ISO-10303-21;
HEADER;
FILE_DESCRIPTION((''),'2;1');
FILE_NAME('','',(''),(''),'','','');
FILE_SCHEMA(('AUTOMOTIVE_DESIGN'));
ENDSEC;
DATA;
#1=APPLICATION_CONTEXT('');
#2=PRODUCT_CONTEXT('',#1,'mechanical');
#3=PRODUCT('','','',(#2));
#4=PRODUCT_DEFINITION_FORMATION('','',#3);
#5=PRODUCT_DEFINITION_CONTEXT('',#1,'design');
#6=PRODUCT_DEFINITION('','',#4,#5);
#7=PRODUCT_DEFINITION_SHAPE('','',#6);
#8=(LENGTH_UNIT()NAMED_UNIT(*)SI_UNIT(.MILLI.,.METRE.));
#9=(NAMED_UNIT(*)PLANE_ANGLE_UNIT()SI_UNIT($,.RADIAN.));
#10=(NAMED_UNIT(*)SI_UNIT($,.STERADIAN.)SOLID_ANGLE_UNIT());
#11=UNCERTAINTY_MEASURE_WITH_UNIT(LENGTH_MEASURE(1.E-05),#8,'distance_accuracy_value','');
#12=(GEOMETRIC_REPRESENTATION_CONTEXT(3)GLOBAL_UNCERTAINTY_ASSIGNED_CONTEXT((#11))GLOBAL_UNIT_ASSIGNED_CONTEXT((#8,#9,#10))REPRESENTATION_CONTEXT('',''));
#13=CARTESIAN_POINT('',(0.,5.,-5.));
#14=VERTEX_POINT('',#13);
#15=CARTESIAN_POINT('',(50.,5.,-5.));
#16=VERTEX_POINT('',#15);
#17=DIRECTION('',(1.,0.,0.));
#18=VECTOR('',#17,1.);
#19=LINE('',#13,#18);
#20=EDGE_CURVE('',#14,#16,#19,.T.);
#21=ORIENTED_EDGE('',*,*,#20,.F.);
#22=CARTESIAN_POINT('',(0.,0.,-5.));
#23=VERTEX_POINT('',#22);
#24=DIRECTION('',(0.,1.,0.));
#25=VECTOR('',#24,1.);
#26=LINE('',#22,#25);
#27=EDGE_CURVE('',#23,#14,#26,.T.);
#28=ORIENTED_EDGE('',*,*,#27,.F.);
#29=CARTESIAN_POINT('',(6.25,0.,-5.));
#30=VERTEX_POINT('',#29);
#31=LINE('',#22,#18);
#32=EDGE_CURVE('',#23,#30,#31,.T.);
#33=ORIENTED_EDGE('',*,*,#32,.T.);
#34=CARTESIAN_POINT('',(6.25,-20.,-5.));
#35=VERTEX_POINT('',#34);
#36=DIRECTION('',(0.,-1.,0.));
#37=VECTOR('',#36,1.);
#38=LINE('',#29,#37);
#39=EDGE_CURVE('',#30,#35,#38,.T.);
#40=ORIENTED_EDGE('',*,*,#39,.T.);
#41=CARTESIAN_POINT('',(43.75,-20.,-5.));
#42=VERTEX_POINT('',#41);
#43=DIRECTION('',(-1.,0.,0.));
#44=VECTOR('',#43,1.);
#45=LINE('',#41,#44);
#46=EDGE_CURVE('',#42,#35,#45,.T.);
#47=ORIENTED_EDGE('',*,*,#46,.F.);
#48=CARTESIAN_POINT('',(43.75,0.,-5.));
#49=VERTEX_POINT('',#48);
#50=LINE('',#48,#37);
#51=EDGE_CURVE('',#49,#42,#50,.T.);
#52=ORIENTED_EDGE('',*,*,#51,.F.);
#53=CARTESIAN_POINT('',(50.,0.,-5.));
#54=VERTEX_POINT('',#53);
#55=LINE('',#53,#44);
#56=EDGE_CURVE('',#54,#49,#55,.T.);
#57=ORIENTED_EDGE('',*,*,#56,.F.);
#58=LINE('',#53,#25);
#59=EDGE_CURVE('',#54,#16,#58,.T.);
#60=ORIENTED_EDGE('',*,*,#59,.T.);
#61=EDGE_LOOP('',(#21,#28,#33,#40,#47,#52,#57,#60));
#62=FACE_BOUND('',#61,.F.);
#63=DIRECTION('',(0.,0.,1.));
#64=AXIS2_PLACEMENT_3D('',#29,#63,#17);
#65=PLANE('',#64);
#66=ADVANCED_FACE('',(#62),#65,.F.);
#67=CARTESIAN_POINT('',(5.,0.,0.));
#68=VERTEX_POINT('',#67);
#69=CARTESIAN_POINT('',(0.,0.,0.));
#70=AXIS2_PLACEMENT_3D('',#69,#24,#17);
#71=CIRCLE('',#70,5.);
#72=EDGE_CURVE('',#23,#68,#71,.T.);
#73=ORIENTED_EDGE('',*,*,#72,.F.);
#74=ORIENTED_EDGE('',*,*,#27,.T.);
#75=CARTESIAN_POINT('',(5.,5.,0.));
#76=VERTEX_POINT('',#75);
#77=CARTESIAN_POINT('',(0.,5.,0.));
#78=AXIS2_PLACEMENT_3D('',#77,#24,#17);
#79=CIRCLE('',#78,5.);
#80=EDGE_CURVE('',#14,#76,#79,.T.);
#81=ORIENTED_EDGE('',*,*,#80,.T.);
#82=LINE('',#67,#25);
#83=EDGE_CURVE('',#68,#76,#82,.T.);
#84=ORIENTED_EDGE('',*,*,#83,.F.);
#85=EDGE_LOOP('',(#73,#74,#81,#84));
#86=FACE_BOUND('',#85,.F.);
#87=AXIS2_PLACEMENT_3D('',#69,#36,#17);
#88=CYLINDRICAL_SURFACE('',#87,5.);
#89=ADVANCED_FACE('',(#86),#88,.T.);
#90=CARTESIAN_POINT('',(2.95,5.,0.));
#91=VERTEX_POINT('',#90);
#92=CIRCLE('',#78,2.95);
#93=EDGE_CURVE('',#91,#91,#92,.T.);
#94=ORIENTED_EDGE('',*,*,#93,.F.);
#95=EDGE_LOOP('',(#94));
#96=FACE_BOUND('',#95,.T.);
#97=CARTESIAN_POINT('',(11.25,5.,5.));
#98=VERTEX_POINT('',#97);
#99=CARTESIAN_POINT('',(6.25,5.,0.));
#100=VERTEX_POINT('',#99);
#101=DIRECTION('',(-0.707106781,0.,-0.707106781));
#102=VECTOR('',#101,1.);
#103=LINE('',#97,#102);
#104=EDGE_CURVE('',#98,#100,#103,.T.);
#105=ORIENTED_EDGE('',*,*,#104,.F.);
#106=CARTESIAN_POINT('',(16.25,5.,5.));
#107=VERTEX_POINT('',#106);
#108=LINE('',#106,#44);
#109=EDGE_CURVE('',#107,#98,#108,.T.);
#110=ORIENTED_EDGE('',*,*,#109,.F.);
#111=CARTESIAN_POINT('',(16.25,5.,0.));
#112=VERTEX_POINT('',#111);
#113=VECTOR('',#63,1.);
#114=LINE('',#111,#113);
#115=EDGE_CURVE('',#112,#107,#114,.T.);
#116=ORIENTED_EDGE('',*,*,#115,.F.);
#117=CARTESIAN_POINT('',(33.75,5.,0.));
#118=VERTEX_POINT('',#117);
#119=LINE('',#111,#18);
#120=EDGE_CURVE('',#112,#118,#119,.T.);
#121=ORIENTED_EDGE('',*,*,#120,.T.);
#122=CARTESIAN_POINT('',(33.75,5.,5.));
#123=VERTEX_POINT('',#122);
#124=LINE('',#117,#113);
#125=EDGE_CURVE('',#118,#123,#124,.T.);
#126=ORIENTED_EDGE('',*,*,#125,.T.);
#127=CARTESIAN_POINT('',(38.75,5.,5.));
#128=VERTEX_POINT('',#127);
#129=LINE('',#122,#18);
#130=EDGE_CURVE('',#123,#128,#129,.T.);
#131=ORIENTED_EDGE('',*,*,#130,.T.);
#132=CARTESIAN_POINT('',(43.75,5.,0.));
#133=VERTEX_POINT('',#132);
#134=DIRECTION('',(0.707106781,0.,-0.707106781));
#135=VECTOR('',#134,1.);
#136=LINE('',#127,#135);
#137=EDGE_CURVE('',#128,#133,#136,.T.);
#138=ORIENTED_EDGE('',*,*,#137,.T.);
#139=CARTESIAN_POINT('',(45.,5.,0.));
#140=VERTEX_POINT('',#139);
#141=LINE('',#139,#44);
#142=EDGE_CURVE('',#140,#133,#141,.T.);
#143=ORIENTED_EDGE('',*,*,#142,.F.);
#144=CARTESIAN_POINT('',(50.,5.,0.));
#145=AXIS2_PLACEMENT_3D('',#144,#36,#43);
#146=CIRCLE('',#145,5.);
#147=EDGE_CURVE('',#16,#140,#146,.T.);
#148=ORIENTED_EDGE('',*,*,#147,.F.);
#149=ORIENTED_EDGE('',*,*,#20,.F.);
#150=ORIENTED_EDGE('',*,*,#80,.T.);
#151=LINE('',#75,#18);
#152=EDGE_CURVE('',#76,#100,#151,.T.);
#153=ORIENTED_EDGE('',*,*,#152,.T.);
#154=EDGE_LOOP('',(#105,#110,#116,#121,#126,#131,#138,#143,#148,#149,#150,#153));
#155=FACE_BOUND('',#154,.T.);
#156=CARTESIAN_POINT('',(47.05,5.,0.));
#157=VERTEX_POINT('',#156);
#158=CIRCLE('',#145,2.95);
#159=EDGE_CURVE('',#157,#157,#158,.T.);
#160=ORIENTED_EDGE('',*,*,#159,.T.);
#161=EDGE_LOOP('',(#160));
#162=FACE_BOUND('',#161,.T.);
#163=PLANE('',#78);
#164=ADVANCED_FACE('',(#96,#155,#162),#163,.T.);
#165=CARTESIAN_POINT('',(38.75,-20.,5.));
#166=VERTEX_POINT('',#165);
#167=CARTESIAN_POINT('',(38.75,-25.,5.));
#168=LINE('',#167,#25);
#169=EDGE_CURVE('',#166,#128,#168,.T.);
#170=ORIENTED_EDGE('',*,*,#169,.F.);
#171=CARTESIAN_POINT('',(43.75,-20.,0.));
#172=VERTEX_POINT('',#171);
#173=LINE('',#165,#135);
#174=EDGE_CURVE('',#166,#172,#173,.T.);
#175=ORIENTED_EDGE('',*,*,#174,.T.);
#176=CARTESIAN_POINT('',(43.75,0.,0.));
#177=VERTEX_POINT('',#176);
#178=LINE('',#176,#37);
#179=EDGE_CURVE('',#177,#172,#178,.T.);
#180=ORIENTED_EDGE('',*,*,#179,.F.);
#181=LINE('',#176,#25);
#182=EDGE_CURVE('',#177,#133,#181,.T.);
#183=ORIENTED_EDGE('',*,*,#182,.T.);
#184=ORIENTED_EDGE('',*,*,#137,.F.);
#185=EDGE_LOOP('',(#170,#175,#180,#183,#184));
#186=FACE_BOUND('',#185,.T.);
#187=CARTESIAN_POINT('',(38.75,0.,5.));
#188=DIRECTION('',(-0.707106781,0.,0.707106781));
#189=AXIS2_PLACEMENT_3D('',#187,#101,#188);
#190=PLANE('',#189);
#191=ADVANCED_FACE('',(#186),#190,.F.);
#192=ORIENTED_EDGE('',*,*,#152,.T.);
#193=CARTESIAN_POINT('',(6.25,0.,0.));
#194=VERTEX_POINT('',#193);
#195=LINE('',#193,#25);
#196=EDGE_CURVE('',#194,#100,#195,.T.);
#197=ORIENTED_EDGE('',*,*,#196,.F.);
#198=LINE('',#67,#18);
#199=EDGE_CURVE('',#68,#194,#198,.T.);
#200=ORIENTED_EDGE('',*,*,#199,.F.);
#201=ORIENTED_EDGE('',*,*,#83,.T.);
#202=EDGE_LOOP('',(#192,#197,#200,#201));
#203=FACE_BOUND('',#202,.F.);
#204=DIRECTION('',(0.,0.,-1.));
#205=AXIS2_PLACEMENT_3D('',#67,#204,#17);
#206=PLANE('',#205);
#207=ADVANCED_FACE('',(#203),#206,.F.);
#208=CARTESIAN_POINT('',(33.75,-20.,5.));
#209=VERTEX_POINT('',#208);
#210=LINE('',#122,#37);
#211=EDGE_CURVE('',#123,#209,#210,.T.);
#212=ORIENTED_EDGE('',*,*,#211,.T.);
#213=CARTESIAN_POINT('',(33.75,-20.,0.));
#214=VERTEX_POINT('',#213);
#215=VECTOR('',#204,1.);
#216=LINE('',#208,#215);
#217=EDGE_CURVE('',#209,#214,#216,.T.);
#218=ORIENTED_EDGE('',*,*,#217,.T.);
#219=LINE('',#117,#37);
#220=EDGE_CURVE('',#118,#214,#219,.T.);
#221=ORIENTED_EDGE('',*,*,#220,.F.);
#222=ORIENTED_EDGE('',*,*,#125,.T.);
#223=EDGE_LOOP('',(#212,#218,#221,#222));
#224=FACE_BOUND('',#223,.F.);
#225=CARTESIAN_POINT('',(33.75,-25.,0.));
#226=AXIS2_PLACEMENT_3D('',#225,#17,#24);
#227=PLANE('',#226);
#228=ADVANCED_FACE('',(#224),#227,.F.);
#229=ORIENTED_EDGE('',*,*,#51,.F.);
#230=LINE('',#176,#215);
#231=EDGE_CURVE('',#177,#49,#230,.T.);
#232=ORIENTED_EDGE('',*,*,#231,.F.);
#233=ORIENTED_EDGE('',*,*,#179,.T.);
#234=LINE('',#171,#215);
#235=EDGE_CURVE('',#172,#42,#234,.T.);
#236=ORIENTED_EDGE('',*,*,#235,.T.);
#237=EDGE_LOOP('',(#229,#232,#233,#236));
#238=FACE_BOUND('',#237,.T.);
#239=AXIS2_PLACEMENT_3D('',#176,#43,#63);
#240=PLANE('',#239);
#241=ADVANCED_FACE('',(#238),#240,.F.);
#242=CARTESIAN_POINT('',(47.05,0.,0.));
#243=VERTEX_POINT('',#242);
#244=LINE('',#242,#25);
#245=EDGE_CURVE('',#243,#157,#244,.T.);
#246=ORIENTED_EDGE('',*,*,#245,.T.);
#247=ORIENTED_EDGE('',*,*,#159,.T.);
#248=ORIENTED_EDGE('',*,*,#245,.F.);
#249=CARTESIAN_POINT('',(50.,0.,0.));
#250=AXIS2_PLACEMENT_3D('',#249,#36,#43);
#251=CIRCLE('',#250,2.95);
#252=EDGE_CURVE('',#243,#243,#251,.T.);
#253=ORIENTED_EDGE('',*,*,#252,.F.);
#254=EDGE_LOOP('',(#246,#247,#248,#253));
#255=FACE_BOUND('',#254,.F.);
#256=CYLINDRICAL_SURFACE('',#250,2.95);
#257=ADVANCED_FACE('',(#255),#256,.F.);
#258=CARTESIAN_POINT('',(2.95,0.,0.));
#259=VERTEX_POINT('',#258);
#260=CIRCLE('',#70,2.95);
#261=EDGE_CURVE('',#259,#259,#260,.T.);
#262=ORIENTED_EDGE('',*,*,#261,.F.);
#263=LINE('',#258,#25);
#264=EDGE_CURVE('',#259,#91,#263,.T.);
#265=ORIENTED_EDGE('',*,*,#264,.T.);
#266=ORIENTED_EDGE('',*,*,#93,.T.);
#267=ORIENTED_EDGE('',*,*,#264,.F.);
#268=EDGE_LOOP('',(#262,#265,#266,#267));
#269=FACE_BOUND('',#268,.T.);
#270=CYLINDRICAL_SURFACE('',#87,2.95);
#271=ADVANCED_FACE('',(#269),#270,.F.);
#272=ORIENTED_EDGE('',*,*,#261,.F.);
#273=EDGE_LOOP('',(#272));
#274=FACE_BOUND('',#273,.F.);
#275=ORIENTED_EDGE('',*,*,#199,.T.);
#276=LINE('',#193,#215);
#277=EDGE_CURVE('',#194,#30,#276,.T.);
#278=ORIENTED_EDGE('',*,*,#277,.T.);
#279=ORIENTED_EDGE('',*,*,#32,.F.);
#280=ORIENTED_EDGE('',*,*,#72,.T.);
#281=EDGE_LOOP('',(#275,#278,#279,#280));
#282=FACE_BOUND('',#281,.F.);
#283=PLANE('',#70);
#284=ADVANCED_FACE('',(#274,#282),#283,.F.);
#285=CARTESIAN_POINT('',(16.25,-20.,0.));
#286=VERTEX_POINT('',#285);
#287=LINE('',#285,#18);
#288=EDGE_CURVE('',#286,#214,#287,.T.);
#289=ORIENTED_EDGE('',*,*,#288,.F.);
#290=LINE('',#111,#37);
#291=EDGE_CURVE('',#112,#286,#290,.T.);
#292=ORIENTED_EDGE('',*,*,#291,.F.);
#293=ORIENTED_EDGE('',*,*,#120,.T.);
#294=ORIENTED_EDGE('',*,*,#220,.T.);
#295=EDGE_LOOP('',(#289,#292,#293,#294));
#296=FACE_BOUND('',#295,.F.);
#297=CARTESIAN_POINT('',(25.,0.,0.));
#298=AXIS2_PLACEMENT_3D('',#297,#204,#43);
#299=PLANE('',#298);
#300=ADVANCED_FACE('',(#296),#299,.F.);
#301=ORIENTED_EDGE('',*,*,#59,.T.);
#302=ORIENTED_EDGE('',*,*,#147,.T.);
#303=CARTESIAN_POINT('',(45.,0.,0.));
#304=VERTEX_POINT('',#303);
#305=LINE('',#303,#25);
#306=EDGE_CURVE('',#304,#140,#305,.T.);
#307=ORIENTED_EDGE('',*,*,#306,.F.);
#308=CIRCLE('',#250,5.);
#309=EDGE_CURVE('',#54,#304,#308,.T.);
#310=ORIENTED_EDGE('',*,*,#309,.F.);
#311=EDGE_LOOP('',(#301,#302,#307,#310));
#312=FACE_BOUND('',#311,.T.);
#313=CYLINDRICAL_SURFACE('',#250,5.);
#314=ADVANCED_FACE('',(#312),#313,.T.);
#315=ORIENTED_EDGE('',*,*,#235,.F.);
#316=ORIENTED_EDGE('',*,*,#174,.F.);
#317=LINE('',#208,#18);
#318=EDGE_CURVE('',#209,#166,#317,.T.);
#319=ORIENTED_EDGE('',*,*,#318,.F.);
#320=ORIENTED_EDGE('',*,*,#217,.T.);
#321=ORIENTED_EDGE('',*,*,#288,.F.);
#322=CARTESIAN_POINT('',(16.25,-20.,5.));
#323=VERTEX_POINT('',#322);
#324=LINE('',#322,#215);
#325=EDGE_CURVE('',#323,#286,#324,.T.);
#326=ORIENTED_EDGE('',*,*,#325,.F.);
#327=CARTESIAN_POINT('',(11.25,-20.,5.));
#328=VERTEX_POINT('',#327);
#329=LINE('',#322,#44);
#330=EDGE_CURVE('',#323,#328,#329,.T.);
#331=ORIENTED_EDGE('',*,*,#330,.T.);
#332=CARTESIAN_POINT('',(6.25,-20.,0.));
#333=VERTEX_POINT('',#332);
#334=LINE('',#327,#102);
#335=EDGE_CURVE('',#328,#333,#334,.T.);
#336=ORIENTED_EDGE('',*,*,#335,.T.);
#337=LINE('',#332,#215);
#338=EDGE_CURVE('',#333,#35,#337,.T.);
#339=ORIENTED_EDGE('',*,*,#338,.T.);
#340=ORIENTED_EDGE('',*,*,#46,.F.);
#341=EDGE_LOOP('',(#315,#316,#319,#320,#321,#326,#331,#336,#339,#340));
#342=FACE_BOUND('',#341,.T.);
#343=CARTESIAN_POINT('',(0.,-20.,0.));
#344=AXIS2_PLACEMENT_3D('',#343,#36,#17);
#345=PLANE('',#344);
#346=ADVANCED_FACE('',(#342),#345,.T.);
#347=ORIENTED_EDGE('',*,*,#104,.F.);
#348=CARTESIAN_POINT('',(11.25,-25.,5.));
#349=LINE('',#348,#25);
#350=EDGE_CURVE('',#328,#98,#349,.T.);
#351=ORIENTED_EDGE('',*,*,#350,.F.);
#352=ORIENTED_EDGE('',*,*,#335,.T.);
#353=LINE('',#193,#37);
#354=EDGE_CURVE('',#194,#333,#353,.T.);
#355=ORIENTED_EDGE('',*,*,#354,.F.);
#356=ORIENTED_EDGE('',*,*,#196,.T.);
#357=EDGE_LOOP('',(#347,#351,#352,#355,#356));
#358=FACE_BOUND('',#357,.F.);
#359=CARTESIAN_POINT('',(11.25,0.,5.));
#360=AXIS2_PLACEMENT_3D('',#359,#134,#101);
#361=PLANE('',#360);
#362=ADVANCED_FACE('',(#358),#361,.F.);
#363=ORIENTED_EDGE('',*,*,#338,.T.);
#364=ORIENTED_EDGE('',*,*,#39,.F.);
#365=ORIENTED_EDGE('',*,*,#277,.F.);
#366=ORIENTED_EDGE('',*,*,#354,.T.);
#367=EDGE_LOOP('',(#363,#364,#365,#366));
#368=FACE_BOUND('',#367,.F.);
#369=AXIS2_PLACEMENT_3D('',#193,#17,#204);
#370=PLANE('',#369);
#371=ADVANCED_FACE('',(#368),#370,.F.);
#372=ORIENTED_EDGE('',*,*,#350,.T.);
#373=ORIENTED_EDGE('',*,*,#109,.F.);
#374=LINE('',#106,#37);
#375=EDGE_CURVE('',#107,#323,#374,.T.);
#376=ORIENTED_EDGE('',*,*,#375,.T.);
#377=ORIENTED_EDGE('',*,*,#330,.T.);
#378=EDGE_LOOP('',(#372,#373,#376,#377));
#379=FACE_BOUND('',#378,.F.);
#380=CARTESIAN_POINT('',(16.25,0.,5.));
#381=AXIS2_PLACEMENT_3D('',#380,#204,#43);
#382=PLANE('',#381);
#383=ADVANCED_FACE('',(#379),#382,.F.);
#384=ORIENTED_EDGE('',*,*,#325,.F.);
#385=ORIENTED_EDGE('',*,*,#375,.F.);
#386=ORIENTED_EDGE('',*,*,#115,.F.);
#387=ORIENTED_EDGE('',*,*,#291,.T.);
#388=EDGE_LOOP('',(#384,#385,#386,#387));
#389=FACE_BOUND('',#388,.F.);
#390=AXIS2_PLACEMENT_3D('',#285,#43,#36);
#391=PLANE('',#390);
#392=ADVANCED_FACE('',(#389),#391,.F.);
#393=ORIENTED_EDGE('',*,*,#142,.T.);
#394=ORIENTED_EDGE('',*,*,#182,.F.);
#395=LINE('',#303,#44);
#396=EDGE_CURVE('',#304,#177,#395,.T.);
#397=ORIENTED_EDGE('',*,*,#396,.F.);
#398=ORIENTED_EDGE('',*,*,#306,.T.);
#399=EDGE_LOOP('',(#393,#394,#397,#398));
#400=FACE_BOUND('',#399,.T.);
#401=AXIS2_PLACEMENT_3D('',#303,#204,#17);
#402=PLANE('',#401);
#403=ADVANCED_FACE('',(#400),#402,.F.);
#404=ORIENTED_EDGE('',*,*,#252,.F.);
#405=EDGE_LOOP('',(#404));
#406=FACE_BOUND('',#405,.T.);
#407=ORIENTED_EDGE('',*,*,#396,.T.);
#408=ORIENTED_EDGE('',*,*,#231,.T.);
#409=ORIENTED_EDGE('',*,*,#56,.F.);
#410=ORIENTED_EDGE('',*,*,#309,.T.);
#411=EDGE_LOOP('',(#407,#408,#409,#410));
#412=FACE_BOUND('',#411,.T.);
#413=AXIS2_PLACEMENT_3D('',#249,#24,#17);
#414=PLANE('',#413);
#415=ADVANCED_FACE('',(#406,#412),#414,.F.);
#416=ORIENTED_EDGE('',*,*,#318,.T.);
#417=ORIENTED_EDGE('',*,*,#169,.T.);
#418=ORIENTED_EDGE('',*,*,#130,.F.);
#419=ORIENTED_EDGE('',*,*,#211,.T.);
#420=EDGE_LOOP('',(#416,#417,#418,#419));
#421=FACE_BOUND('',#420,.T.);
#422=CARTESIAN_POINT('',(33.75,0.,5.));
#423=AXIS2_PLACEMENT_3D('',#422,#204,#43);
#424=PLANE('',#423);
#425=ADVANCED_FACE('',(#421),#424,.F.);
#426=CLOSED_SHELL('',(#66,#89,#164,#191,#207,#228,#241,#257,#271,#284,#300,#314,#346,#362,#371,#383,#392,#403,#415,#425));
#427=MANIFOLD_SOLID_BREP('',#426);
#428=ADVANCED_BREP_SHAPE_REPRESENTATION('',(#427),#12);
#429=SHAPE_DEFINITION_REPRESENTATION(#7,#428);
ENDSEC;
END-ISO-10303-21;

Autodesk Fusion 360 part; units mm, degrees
sketch "Sketch1" plane through (0, 0, 0) normal (0, 1, 0) x (1, 0, 0)
  circle A0 centre (0, 0) radius 2.95
  line L0 (0, 0) -> (25, 0) construction
  line L1 (25, -32.2093) -> (25, 32.2093)
  circle A1 centre (0, 0) radius 5
  line L2 (0, 5) -> (25, 5)
  line L3 (5, 0) -> (25, 0)
  line L4 (16.25, 0) -> (16.25, -5)
  line L5 (16.25, -5) -> (11.25, -5)
  line L6 (11.25, -5) -> (6.25, 0)
  line L7 (11.25, -5) -> (18.3211, -5) construction
  dimension "d1" = 5.9
  dimension "d2" = 25
  dimension "d3" = 10
  dimension "d4" = 17.5
  dimension "d5" = 5
  dimension "d6" = 5
  dimension "d7" = 135
extrude "Extrude1" add sketch "Sketch1" along normal blind 5
sketch "Sketch2" plane through (0, 0, 0) normal (0, -1, 0) x (1, 0, 0)
  circle A0 centre (0, 0) radius 2.95
  line L0 (25, 0) -> (16.25, 0)
  line L1 (16.25, 0) -> (16.25, 5)
  line L2 (16.25, 5) -> (11.25, 5)
  line L3 (11.25, 5) -> (6.25, 0)
  line L4 (6.25, 0) -> (5, 0)
  arc A1 (5, 0) -> (0, -5) centre (0, 0) ccw
  line L5 (0, -5) -> (25, -5)
  line L6 (25, -5) -> (25, 0)
  line L7 (6.25, 0) -> (6.25, -5)
extrude "Extrude2" add sketch "Sketch2" along normal blind 20 contours L0 L1 L2 L3 L5 L6 L7
sketch "Sketch3" plane through (0, -20, 0) normal (0, -1, 0) x (1, 0, 0)
  line L0 (6.25, 0) -> (6.25, -5)
  line L1 (6.25, -5) -> (25, -5)
  line L2 (25, -5) -> (25, 0)
  line L3 (25, 0) -> (16.25, 0)
  line L4 (16.25, 0) -> (16.25, 5)
  line L5 (16.25, 5) -> (11.25, 5)
  line L6 (11.25, 5) -> (6.25, 0)
  line L7 (6.25, -5) -> (6.25, 0)
  line L8 (6.25, 0) -> (5, 0)
  arc A0 (5, 0) -> (0, -5) centre (0, 0) ccw
  line L9 (0, -5) -> (6.25, -5)
  circle A1 centre (0, 0) radius 2.95
extrude "Extrude3" add sketch "Sketch3" along normal blind 5
mirror "Mirror1" about plane through (25, 0, -5) normal (1, 0, 0) of bodies 1 merged
sketch "Sketch4" plane through (0, 0, 0) normal (0, 0, 1) x (-1, 0, 0)
  line L0 (-33.75, -5) -> (-16.25, -5)
  line L1 (-16.25, -5) -> (-16.25, 25)
  line L2 (-16.25, 25) -> (-33.75, 25)
  line L3 (-33.75, 25) -> (-33.75, -5)
  line L4 (-33.75, 25) -> (-16.25, 25)
  line L5 (-16.25, 25) -> (-16.25, 20)
  line L6 (-16.25, 20) -> (-33.75, 20)
  line L7 (-33.75, 20) -> (-33.75, 25)
  dimension "d16" = 17.5
  dimension "d17" = 5
extrude "Extrude4" cut sketch "Sketch4" against normal blind 5 contours L1 L2 L3 L4 L5 L6 L7
extrude "Extrude5" cut 2 faces at (11.25, -25, 0) (38.75, -25, 0) along direction (0, 1, 0) blind 5
